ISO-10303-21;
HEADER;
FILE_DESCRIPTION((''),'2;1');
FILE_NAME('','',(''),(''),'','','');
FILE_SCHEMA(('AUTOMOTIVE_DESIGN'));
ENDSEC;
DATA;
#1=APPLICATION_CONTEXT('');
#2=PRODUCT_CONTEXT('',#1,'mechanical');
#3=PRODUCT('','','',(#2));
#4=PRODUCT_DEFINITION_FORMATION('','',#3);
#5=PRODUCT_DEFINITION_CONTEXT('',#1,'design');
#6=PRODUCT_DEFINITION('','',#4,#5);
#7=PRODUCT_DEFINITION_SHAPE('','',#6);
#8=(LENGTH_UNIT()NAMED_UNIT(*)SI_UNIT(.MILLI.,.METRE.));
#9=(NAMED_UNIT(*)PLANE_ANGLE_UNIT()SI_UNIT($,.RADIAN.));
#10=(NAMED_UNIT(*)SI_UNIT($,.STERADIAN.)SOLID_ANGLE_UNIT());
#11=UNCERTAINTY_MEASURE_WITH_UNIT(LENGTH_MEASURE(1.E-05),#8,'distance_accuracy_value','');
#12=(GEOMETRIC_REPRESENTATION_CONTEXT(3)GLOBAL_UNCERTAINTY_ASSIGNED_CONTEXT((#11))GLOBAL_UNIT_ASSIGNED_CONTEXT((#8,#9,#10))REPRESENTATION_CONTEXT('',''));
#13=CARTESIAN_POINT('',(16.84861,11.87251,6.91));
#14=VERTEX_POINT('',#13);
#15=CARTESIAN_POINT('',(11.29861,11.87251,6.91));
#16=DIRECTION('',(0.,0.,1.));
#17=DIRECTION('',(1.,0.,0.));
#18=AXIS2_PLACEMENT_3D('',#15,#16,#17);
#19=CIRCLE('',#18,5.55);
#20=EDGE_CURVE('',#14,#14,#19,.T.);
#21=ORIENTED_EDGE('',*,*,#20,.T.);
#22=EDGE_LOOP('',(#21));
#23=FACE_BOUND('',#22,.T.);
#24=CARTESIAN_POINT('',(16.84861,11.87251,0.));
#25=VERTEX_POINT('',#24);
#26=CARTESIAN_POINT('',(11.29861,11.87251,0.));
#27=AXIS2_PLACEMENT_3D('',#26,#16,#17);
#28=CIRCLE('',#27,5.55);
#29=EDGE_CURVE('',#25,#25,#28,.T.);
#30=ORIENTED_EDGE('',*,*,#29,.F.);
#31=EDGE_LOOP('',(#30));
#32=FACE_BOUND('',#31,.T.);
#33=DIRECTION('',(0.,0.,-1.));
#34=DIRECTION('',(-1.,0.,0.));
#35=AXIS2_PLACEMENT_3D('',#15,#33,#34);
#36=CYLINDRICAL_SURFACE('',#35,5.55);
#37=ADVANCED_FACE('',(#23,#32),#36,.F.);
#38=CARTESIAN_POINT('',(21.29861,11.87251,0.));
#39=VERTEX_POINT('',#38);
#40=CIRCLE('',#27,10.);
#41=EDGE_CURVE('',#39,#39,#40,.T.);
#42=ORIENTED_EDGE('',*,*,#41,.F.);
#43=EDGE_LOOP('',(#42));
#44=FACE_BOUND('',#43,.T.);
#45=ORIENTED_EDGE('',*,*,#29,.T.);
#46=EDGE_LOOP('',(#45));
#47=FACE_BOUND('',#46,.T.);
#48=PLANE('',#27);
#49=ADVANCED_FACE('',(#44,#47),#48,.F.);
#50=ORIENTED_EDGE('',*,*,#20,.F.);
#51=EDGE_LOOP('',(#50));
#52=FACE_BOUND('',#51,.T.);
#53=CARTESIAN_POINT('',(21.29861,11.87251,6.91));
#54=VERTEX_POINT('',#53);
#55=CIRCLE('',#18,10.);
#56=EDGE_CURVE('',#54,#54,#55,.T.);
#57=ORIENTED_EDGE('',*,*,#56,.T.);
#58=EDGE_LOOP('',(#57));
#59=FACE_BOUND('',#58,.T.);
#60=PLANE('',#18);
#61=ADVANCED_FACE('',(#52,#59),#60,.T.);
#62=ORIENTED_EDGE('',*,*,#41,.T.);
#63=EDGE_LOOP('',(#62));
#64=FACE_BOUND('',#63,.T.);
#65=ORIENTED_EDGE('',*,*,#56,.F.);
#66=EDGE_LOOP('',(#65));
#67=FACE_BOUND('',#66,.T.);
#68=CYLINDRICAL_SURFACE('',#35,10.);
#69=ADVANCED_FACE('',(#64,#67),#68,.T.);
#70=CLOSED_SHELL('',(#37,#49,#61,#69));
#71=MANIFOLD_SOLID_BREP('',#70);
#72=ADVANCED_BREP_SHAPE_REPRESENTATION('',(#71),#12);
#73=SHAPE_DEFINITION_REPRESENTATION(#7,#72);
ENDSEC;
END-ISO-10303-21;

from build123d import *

# Parameters (mm, degrees)
SKETCH1_R           = 10
SKETCH1_R_2         = 5.55
BOSS_EXTRUDE1_DEPTH = 6.91


with BuildPart() as part:
    # Sketch1 → Boss-Extrude1 (new body)
    with BuildSketch(Plane.XY):
        with Locations((11.298610039, 11.872509653)):
            Circle(SKETCH1_R)
        with Locations((11.298610039, 11.872509653)):
            Circle(SKETCH1_R_2, mode=Mode.SUBTRACT)
    extrude(amount=BOSS_EXTRUDE1_DEPTH)


solid = part.part
